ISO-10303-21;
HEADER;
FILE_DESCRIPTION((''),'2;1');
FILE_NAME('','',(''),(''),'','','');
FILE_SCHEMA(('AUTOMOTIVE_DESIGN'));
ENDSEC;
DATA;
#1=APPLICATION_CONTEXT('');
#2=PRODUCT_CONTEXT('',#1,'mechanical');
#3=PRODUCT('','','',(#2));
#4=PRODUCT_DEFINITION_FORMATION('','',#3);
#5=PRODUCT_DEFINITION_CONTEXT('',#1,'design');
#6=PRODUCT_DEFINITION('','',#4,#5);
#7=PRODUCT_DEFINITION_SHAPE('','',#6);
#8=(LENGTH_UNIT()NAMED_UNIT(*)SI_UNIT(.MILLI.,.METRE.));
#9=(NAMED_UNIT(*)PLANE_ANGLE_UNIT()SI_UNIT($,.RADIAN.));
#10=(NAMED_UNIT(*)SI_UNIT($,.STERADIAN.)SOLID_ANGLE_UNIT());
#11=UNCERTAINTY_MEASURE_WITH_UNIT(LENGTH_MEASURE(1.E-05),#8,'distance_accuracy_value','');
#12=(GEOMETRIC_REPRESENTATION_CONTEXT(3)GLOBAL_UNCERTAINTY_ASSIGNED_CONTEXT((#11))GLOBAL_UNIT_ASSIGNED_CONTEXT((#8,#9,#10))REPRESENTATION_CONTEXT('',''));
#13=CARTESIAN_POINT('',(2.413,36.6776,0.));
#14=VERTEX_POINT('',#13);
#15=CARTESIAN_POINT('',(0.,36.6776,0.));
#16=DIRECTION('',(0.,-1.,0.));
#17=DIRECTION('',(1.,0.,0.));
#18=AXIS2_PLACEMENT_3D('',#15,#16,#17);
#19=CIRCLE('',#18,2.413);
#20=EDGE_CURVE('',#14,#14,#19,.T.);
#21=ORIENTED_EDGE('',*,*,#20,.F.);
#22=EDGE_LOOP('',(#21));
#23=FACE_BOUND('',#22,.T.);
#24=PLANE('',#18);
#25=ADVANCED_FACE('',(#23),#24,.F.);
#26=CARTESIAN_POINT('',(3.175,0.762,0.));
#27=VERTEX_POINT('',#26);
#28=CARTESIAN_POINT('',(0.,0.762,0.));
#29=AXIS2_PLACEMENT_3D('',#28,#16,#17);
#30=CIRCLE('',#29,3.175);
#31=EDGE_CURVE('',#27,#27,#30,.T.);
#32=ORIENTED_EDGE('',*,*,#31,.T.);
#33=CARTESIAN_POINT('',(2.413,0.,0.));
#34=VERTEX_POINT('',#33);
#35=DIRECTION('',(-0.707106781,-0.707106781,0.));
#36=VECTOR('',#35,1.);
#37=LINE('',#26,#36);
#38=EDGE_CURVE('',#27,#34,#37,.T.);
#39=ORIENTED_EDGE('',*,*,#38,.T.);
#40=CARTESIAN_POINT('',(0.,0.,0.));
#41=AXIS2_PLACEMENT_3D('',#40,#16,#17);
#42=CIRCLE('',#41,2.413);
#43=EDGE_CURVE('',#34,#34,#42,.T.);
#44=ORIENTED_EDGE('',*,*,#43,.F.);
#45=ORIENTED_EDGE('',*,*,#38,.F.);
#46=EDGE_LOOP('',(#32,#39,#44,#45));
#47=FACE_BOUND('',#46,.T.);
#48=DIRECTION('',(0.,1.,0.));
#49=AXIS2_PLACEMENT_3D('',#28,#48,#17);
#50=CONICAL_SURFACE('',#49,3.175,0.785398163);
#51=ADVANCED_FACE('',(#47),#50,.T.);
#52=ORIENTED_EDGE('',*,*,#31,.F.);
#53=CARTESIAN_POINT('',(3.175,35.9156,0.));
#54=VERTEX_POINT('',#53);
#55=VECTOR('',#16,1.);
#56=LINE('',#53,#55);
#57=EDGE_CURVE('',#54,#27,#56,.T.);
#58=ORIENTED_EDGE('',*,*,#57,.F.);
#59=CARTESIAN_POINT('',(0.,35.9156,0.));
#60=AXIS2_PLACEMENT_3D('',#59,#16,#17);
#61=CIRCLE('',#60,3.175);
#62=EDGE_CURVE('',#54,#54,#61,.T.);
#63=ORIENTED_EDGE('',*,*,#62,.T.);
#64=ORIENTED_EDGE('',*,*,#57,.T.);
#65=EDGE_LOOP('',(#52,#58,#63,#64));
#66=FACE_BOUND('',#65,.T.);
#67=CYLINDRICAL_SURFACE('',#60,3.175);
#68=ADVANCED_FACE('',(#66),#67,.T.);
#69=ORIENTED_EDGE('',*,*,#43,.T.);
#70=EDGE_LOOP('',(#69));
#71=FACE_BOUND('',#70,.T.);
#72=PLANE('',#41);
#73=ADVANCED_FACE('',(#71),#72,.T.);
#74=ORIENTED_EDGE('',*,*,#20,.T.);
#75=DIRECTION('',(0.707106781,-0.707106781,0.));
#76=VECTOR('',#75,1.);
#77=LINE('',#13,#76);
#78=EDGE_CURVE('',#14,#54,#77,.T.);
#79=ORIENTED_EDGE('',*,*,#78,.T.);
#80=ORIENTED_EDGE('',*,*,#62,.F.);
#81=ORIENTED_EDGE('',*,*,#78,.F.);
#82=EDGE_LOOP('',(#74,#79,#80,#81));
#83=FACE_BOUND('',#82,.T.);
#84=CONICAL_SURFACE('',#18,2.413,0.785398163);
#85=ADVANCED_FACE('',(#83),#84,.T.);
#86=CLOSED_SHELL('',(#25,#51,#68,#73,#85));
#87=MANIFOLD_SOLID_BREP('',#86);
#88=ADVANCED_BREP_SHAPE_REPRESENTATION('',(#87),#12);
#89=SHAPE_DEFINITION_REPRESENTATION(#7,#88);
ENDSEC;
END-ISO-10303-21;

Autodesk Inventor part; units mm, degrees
sketch "Sketch_10" plane through (0, 0, 0) normal (0, 0, 1) x (1, 0, 0)
  line L0 (0, 0) -> (0, 36.6776)
  line L1 (0, 36.6776) -> (2.413, 36.6776)
  line L2 (2.413, 36.6776) -> (3.175, 35.9156)
  line L3 (3.175, 35.9156) -> (3.175, 0.762)
  line L4 (3.175, 0.762) -> (2.413, 0)
  line L5 (2.413, 0) -> (0, 0)
  line L6 (0, 0) -> (0, 36.6776)
revolve "Revolution1" add sketch "Sketch_10" angle 360 about axis through (0, 0, 0) along (0, -1, 0)
ref_plane "b11_XY" through (0, 0, 0) normal (0, 1, 0) x (1, 0, 0)
ref_plane "b11_YZ" through (0, 0, 0) normal (1, 0, 0) x (0, 0, -1)
ref_plane "b11_ZX" through (0, 0, 0) normal (0, 0, -1) x (0, 1, 0)
ref_plane "b2_XY" through (0, 36.6776, 0) normal (0, 1, 0) x (1, 0, 0)
ref_plane "b2_YZ" through (0, 36.6776, 0) normal (1, 0, 0) x (0, 0, -1)
ref_plane "b2_ZX" through (0, 36.6776, 0) normal (0, 0, -1) x (0, 1, 0)
ref_plane "f1_XY" through (0, 36.6776, 3.175) normal (1, 0, 0) x (0, 0, -1)
ref_plane "f1_YZ" through (0, 36.6776, 3.175) normal (0, 0, -1) x (0, 1, 0)
ref_plane "f1_ZX" through (0, 36.6776, 3.175) normal (0, 1, 0) x (1, 0, 0)
ref_plane "f2_XY" through (0, 36.6776, -3.175) normal (1, 0, 0) x (0, 0, -1)
ref_plane "f2_YZ" through (0, 36.6776, -3.175) normal (0, 0, -1) x (0, 1, 0)
ref_plane "f2_ZX" through (0, 36.6776, -3.175) normal (0, 1, 0) x (1, 0, 0)
ref_plane "h1_XY" through (-2.7496, 36.6776, 0) normal (0, 1, 0) x (1, 0, 0)
ref_plane "h1_YZ" through (-2.7496, 36.6776, 0) normal (1, 0, 0) x (0, 0, -1)
ref_plane "h1_ZX" through (-2.7496, 36.6776, 0) normal (0, 0, -1) x (0, 1, 0)
ref_plane "h2_XY" through (2.7496, 36.6776, 0) normal (0, 1, 0) x (1, 0, 0)
ref_plane "h2_YZ" through (2.7496, 36.6776, 0) normal (1, 0, 0) x (0, 0, -1)
ref_plane "h2_ZX" through (2.7496, 36.6776, 0) normal (0, 0, -1) x (0, 1, 0)
ref_plane "npt1_XY" through (0, 36.6776, 0) normal (0, 1, 0) x (1, 0, 0)
ref_plane "npt1_YZ" through (0, 36.6776, 0) normal (1, 0, 0) x (0, 0, -1)
ref_plane "npt1_ZX" through (0, 36.6776, 0) normal (0, 0, -1) x (0, 1, 0)
ref_plane "npt1_1_XY" through (0, 0, 0) normal (0, 1, 0) x (1, 0, 0)
ref_plane "npt1_1_YZ" through (0, 0, 0) normal (1, 0, 0) x (0, 0, -1)
ref_plane "npt1_1_ZX" through (0, 0, 0) normal (0, 0, -1) x (0, 1, 0)
ref_plane "npt2_XY" through (0, 36.6776, 0) normal (0, 1, 0) x (1, 0, 0)
ref_plane "npt2_YZ" through (0, 36.6776, 0) normal (1, 0, 0) x (0, 0, -1)
ref_plane "npt2_ZX" through (0, 36.6776, 0) normal (0, 0, -1) x (0, 1, 0)
ref_plane "npt2_1_XY" through (0, 0, 0) normal (0, 1, 0) x (1, 0, 0)
ref_plane "npt2_1_YZ" through (0, 0, 0) normal (1, 0, 0) x (0, 0, -1)
ref_plane "npt2_1_ZX" through (0, 0, 0) normal (0, 0, -1) x (0, 1, 0)
ref_plane "rod_XY" through (0, 0, 0) normal (0, 1, 0) x (1, 0, 0)
ref_plane "rod_YZ" through (0, 0, 0) normal (1, 0, 0) x (0, 0, -1)
ref_plane "rod_ZX" through (0, 0, 0) normal (0, 0, -1) x (0, 1, 0)
ref_plane "rod_to_part_XY" through (0, 0, 0) normal (0, 1, 0) x (1, 0, 0)
ref_plane "rod_to_part_YZ" through (0, 0, 0) normal (1, 0, 0) x (0, 0, -1)
ref_plane "rod_to_part_ZX" through (0, 0, 0) normal (0, 0, -1) x (0, 1, 0)
ref_plane "th1_XY" through (0, 36.6776, 2.0828) normal (0, 1, 0) x (1, 0, 0)
ref_plane "th1_YZ" through (0, 36.6776, 2.0828) normal (1, 0, 0) x (0, 0, -1)
ref_plane "th1_ZX" through (0, 36.6776, 2.0828) normal (0, 0, -1) x (0, 1, 0)
ref_plane "th2_XY" through (0, 36.6776, -2.0828) normal (0, 1, 0) x (1, 0, 0)
ref_plane "th2_YZ" through (0, 36.6776, -2.0828) normal (1, 0, 0) x (0, 0, -1)
ref_plane "th2_ZX" through (0, 36.6776, -2.0828) normal (0, 0, -1) x (0, 1, 0)
ref_plane "to_rod_pivot_XY" through (0, 36.6776, 0) normal (0, 1, 0) x (1, 0, 0)
ref_plane "to_rod_pivot_YZ" through (0, 36.6776, 0) normal (1, 0, 0) x (0, 0, -1)
ref_plane "to_rod_pivot_ZX" through (0, 36.6776, 0) normal (0, 0, -1) x (0, 1, 0)
ref_plane "to_rod_pivot1_XY" through (0, 0, 0) normal (0, 1, 0) x (1, 0, 0)
ref_plane "to_rod_pivot1_YZ" through (0, 0, 0) normal (1, 0, 0) x (0, 0, -1)
ref_plane "to_rod_pivot1_ZX" through (0, 0, 0) normal (0, 0, -1) x (0, 1, 0)
properties part number "FO-0211.444NT-00_rod-bif"
